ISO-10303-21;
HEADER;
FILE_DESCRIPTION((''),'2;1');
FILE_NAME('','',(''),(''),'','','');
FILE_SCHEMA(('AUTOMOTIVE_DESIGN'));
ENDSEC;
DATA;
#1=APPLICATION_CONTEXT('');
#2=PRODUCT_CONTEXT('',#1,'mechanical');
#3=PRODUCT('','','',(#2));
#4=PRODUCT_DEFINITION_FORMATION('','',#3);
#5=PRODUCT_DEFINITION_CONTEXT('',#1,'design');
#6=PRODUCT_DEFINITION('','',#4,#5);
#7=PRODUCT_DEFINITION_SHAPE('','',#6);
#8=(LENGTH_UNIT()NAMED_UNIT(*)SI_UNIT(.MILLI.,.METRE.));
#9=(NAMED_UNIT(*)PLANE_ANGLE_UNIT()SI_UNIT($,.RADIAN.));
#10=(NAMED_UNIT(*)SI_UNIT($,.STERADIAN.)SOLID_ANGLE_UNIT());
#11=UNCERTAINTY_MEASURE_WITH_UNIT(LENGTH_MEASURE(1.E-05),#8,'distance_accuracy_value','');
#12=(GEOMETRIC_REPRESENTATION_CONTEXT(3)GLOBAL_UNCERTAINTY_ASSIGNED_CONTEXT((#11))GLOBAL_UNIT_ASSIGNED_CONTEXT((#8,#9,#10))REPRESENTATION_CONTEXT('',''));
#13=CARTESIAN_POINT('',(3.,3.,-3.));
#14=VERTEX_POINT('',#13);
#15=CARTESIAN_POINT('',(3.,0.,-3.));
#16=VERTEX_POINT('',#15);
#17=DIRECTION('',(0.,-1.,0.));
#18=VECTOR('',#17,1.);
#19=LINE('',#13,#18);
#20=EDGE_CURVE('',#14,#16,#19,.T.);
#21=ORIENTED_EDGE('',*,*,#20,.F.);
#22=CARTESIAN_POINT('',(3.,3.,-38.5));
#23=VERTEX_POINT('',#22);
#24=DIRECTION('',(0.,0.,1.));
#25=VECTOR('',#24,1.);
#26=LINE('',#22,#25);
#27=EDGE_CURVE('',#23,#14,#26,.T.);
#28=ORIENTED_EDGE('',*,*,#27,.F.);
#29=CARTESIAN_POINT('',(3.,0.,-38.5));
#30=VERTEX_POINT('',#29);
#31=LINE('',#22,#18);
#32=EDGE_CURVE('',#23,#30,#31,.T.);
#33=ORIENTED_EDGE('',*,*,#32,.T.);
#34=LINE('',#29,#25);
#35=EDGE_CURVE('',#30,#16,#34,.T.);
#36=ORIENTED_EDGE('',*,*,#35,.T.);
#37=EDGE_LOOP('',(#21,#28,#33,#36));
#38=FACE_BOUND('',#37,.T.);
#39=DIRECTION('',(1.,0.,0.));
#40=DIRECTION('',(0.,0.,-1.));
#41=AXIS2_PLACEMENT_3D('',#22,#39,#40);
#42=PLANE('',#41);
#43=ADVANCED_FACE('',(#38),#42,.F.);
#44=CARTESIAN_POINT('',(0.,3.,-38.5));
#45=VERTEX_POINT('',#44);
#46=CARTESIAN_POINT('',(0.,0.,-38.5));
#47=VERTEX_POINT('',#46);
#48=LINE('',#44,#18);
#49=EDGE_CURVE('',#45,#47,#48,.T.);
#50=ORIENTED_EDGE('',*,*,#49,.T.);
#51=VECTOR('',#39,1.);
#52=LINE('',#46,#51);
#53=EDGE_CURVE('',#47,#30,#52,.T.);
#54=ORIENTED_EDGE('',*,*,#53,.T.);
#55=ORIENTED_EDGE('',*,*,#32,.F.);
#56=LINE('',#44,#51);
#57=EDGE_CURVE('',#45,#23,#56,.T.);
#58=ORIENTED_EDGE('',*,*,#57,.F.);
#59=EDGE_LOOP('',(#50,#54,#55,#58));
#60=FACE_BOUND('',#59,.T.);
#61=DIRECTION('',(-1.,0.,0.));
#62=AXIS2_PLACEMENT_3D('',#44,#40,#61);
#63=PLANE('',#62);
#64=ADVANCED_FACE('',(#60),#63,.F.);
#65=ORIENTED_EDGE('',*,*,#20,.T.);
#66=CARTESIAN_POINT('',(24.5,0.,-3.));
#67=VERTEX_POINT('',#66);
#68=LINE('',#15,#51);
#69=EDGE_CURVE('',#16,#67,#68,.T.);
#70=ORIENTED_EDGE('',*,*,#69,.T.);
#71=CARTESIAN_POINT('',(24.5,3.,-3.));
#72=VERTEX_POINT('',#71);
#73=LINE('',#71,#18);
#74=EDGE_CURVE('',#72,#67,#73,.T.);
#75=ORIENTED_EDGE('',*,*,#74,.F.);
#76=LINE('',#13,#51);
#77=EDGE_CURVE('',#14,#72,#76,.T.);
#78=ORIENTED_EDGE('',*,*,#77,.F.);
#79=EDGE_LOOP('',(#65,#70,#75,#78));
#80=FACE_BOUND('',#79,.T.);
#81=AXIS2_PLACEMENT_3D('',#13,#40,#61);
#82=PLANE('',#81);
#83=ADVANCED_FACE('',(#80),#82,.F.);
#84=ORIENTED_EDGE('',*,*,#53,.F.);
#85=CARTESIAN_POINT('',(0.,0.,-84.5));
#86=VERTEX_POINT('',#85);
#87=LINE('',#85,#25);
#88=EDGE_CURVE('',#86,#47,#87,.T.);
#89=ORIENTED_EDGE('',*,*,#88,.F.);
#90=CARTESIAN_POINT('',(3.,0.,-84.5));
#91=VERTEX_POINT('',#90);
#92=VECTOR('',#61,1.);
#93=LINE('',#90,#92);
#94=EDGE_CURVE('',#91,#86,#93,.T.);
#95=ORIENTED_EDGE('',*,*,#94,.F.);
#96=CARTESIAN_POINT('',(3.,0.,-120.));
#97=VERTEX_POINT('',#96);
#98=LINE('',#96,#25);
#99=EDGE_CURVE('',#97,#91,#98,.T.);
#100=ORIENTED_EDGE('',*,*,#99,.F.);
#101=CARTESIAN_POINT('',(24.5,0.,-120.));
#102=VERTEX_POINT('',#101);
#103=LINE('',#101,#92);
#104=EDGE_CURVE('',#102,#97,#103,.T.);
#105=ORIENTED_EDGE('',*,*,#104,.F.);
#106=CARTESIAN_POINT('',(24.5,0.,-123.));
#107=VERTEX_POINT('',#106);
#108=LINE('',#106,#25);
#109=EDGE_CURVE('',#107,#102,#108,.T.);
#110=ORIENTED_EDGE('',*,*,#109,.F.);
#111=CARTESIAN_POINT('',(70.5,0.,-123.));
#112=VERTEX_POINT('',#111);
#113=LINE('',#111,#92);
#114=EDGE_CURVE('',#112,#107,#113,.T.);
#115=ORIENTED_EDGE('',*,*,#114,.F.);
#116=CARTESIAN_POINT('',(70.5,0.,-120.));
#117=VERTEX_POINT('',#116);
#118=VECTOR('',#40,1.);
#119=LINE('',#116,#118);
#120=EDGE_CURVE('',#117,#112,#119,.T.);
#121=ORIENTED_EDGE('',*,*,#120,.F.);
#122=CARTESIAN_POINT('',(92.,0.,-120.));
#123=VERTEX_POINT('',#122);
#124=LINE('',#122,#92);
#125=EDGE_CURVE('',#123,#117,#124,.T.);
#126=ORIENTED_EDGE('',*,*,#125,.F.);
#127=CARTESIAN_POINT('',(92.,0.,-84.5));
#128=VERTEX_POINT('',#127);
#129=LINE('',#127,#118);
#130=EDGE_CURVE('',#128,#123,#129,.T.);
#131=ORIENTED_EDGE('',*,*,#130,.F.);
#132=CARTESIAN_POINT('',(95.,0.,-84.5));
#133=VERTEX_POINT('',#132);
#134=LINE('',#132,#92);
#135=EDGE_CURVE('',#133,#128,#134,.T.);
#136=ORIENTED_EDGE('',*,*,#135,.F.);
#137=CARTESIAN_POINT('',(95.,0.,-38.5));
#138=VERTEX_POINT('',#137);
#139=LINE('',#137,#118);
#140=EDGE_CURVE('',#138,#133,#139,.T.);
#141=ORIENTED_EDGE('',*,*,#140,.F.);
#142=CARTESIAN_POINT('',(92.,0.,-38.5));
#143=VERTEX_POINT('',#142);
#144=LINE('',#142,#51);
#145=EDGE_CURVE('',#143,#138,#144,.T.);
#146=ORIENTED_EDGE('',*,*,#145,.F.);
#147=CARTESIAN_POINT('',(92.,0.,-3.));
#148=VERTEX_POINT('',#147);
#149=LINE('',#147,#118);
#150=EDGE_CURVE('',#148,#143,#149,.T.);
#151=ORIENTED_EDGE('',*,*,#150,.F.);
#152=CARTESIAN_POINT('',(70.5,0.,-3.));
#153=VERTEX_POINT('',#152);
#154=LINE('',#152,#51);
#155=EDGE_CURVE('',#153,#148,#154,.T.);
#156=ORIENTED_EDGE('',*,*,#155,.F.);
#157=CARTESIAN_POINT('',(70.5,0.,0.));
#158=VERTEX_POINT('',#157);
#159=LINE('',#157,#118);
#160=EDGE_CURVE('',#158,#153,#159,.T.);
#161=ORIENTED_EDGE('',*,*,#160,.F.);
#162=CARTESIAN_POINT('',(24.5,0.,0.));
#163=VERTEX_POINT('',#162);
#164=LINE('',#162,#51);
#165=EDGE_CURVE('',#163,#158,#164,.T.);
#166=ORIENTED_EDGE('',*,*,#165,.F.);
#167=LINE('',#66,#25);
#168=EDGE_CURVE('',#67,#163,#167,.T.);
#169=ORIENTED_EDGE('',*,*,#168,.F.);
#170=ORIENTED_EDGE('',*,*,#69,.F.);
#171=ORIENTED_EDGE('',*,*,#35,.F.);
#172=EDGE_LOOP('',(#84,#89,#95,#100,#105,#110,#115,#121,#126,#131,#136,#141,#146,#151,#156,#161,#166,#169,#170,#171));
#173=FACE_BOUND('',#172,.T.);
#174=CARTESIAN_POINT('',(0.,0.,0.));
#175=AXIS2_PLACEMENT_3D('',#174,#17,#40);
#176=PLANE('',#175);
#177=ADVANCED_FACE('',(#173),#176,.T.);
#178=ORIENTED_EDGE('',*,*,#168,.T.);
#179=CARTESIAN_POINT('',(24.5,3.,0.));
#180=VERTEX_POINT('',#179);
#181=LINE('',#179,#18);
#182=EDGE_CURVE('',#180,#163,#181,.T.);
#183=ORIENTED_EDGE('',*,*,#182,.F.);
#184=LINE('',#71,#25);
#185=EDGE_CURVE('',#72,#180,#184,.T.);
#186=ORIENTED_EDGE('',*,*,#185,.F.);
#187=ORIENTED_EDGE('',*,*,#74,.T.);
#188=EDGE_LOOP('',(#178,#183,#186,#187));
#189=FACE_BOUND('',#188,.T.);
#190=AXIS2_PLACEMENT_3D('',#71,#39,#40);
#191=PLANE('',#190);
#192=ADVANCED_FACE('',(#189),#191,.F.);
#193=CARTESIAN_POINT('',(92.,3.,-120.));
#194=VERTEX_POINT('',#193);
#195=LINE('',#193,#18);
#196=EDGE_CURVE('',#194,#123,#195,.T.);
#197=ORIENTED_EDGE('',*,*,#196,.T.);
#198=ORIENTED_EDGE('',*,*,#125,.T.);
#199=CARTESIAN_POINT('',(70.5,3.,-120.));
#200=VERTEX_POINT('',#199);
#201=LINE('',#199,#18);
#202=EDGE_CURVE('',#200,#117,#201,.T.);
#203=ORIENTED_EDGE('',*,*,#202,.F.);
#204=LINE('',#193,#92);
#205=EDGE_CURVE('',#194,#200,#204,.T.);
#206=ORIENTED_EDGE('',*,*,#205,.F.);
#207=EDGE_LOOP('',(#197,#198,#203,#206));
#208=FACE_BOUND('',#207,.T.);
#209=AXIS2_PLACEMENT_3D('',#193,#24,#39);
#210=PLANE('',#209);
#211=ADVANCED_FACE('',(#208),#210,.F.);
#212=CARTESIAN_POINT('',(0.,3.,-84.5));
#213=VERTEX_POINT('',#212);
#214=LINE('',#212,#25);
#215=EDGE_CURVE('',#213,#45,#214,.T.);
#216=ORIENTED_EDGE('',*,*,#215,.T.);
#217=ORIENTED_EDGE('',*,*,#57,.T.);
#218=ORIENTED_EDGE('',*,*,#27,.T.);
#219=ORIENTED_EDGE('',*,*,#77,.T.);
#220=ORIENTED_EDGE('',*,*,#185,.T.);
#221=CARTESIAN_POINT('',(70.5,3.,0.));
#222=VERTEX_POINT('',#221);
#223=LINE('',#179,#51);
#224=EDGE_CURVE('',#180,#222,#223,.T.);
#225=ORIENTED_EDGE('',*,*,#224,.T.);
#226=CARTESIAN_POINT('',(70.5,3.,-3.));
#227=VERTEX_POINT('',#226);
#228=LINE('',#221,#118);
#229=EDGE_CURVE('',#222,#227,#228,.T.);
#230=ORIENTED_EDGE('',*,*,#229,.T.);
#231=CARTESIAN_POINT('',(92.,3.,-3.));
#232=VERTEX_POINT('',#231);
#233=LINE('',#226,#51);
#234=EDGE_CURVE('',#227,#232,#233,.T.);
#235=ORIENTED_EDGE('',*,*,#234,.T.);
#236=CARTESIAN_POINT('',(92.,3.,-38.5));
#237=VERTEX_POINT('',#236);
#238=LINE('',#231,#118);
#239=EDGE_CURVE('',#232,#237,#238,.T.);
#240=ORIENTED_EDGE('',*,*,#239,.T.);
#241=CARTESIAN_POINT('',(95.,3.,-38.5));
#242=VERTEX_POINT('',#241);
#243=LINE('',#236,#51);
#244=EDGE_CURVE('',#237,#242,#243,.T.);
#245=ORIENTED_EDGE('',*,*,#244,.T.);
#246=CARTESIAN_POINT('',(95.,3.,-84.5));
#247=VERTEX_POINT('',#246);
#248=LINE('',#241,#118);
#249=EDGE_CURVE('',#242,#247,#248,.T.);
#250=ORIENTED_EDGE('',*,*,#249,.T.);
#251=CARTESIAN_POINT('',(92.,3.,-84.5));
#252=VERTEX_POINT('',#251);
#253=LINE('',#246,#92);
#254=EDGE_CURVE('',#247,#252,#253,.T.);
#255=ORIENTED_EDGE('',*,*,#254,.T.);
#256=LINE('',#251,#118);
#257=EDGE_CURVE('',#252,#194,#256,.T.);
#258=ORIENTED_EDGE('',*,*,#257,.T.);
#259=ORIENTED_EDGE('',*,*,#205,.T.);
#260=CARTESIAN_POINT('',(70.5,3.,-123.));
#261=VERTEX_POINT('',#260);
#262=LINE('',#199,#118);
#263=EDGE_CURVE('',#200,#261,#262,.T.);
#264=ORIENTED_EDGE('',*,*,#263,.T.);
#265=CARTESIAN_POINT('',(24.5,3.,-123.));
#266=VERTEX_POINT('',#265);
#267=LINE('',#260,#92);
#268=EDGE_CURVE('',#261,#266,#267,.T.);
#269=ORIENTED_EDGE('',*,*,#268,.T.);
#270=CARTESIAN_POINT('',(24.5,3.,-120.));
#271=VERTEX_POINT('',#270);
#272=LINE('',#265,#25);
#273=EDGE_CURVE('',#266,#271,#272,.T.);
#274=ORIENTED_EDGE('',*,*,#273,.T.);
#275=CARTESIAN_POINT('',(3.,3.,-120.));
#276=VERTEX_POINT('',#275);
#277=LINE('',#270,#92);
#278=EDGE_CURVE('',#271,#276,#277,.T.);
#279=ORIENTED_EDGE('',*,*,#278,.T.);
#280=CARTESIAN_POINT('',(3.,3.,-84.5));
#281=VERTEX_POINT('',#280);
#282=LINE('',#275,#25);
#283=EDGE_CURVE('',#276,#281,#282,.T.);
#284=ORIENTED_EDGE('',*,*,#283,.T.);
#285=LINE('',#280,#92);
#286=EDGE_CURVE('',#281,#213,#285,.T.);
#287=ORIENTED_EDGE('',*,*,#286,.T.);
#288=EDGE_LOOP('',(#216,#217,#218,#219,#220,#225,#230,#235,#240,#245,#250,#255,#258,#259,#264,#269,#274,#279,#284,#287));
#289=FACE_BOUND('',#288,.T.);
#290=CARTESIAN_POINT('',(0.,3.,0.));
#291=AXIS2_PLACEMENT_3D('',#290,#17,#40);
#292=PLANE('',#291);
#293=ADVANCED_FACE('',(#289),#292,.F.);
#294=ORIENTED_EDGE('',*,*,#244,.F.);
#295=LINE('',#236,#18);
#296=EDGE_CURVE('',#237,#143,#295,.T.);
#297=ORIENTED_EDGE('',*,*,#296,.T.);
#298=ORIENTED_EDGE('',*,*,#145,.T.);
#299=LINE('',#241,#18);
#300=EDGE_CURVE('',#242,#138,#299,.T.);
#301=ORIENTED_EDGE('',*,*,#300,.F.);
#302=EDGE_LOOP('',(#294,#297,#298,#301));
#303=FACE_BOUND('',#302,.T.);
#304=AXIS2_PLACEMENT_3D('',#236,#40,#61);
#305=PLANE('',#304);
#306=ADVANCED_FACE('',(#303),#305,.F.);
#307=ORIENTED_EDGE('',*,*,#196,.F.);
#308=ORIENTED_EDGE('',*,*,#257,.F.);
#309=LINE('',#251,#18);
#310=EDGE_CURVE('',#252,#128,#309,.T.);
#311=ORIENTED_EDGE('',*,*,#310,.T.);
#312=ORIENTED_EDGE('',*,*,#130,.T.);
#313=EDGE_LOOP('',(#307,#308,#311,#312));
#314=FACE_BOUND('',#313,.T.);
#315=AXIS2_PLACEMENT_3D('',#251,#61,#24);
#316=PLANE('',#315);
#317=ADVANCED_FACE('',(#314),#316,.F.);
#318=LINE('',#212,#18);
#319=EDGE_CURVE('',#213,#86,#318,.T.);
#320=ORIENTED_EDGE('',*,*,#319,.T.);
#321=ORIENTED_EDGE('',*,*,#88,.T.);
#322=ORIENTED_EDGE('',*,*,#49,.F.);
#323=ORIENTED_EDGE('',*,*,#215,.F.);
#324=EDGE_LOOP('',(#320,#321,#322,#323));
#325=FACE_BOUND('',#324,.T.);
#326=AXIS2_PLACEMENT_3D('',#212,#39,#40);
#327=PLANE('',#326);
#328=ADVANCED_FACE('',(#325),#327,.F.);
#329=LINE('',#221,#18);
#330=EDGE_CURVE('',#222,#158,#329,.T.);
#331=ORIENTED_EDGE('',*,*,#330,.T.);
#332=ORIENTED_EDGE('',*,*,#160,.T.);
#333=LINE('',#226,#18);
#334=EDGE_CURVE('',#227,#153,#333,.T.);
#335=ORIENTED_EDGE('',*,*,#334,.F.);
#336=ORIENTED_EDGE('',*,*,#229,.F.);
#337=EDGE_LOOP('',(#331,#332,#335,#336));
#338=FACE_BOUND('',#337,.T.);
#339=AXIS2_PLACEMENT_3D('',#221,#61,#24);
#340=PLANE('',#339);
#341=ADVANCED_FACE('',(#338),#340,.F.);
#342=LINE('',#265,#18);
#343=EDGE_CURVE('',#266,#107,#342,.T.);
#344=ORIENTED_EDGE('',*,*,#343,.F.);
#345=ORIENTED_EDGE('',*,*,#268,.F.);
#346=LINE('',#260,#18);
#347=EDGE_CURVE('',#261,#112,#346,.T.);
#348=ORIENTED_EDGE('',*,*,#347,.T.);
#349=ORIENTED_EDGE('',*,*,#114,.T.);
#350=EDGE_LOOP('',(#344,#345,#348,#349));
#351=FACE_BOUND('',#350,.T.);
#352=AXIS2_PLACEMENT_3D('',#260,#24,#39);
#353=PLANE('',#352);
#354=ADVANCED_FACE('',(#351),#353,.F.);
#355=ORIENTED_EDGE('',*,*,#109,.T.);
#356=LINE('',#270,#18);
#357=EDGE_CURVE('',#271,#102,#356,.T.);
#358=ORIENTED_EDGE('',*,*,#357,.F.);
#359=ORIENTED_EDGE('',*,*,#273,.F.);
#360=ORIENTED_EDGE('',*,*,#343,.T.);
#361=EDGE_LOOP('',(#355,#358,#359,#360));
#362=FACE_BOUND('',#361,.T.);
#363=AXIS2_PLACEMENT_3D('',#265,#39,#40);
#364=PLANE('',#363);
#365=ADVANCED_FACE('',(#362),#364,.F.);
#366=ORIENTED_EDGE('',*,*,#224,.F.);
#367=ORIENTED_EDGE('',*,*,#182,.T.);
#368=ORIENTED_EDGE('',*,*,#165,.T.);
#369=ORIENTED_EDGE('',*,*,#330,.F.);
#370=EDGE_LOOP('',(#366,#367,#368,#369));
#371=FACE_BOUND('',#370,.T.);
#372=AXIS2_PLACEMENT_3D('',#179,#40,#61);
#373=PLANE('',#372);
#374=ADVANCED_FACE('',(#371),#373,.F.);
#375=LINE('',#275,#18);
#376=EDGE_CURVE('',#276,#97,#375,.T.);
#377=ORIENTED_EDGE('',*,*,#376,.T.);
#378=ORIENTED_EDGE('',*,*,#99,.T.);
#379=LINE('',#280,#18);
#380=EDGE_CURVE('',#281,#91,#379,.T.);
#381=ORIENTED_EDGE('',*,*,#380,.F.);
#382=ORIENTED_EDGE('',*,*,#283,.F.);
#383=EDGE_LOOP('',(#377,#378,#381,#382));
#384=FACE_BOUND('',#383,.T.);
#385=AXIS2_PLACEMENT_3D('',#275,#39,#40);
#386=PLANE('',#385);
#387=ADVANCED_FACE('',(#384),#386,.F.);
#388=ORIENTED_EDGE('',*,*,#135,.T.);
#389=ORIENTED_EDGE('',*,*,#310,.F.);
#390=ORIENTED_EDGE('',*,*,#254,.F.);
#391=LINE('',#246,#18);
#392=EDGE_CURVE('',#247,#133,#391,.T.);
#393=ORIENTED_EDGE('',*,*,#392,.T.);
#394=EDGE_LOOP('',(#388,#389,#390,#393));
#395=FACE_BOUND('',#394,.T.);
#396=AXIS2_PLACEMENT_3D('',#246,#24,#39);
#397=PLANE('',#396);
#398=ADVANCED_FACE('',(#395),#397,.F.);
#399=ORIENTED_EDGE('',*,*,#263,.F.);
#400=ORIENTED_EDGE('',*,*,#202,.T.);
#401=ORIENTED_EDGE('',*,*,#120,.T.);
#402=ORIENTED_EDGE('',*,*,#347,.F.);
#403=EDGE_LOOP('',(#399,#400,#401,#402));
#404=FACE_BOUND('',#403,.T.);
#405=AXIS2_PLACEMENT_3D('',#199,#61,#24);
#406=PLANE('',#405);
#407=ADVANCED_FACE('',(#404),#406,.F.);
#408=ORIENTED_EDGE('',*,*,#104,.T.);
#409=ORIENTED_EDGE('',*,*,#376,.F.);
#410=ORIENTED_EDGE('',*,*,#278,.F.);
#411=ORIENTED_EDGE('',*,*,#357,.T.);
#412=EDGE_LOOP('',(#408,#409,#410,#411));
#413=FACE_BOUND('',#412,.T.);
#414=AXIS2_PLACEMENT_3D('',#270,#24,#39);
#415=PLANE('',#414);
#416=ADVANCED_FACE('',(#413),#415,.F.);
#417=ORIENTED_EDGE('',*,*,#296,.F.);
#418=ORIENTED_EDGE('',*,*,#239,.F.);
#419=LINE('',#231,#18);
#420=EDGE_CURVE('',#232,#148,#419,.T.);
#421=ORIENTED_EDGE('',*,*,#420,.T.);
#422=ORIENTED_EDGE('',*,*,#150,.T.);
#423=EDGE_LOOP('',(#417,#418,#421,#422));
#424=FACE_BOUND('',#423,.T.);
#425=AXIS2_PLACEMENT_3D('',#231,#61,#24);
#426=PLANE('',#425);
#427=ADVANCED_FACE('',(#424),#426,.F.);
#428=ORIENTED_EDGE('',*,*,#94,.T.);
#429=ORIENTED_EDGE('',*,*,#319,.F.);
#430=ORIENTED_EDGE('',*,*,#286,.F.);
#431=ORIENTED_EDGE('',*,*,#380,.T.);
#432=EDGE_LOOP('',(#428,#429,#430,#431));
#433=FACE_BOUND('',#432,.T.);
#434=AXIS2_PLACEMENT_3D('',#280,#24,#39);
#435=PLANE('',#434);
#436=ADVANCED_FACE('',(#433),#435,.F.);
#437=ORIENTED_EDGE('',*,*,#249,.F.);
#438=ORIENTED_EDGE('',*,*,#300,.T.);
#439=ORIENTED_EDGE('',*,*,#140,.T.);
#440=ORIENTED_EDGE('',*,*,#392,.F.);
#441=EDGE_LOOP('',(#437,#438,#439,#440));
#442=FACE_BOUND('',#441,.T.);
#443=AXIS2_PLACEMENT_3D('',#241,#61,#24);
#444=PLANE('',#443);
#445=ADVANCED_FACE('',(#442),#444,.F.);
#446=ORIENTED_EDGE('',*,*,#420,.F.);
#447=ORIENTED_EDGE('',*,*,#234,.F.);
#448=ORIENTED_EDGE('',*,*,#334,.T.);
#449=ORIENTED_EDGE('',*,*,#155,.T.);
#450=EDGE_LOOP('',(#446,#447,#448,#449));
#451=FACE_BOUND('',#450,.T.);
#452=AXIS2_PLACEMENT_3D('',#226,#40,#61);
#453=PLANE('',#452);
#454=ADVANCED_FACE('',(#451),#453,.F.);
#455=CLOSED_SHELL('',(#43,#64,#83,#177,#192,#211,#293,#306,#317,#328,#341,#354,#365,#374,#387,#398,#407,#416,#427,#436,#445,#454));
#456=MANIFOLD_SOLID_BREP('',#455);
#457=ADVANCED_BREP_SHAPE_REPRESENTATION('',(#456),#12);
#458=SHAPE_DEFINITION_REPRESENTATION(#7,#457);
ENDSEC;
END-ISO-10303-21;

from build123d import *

# Parameters (mm, degrees)
SALIENTE_EXTRUIR1_DEPTH = 3


with BuildPart() as part:
    # Croquis1 → Saliente-Extruir1 (new body)
    with BuildSketch(Plane(origin=(0, 0, 0), x_dir=(1, 0, 0), z_dir=(0, 1, 0))):
        Polygon((3, 38.5), (3, 3), (24.5, 3), (24.5, 0), (70.5, 0), (70.5, 3), (92, 3), (92, 38.5), (95, 38.5), (95, 84.5), (92, 84.5), (92, 120), (70.5, 120), (70.5, 123), (24.5, 123), (24.5, 120), (3, 120), (3, 84.5), (0, 84.5), (0, 38.5), align=None)
    extrude(amount=SALIENTE_EXTRUIR1_DEPTH)


solid = part.part
